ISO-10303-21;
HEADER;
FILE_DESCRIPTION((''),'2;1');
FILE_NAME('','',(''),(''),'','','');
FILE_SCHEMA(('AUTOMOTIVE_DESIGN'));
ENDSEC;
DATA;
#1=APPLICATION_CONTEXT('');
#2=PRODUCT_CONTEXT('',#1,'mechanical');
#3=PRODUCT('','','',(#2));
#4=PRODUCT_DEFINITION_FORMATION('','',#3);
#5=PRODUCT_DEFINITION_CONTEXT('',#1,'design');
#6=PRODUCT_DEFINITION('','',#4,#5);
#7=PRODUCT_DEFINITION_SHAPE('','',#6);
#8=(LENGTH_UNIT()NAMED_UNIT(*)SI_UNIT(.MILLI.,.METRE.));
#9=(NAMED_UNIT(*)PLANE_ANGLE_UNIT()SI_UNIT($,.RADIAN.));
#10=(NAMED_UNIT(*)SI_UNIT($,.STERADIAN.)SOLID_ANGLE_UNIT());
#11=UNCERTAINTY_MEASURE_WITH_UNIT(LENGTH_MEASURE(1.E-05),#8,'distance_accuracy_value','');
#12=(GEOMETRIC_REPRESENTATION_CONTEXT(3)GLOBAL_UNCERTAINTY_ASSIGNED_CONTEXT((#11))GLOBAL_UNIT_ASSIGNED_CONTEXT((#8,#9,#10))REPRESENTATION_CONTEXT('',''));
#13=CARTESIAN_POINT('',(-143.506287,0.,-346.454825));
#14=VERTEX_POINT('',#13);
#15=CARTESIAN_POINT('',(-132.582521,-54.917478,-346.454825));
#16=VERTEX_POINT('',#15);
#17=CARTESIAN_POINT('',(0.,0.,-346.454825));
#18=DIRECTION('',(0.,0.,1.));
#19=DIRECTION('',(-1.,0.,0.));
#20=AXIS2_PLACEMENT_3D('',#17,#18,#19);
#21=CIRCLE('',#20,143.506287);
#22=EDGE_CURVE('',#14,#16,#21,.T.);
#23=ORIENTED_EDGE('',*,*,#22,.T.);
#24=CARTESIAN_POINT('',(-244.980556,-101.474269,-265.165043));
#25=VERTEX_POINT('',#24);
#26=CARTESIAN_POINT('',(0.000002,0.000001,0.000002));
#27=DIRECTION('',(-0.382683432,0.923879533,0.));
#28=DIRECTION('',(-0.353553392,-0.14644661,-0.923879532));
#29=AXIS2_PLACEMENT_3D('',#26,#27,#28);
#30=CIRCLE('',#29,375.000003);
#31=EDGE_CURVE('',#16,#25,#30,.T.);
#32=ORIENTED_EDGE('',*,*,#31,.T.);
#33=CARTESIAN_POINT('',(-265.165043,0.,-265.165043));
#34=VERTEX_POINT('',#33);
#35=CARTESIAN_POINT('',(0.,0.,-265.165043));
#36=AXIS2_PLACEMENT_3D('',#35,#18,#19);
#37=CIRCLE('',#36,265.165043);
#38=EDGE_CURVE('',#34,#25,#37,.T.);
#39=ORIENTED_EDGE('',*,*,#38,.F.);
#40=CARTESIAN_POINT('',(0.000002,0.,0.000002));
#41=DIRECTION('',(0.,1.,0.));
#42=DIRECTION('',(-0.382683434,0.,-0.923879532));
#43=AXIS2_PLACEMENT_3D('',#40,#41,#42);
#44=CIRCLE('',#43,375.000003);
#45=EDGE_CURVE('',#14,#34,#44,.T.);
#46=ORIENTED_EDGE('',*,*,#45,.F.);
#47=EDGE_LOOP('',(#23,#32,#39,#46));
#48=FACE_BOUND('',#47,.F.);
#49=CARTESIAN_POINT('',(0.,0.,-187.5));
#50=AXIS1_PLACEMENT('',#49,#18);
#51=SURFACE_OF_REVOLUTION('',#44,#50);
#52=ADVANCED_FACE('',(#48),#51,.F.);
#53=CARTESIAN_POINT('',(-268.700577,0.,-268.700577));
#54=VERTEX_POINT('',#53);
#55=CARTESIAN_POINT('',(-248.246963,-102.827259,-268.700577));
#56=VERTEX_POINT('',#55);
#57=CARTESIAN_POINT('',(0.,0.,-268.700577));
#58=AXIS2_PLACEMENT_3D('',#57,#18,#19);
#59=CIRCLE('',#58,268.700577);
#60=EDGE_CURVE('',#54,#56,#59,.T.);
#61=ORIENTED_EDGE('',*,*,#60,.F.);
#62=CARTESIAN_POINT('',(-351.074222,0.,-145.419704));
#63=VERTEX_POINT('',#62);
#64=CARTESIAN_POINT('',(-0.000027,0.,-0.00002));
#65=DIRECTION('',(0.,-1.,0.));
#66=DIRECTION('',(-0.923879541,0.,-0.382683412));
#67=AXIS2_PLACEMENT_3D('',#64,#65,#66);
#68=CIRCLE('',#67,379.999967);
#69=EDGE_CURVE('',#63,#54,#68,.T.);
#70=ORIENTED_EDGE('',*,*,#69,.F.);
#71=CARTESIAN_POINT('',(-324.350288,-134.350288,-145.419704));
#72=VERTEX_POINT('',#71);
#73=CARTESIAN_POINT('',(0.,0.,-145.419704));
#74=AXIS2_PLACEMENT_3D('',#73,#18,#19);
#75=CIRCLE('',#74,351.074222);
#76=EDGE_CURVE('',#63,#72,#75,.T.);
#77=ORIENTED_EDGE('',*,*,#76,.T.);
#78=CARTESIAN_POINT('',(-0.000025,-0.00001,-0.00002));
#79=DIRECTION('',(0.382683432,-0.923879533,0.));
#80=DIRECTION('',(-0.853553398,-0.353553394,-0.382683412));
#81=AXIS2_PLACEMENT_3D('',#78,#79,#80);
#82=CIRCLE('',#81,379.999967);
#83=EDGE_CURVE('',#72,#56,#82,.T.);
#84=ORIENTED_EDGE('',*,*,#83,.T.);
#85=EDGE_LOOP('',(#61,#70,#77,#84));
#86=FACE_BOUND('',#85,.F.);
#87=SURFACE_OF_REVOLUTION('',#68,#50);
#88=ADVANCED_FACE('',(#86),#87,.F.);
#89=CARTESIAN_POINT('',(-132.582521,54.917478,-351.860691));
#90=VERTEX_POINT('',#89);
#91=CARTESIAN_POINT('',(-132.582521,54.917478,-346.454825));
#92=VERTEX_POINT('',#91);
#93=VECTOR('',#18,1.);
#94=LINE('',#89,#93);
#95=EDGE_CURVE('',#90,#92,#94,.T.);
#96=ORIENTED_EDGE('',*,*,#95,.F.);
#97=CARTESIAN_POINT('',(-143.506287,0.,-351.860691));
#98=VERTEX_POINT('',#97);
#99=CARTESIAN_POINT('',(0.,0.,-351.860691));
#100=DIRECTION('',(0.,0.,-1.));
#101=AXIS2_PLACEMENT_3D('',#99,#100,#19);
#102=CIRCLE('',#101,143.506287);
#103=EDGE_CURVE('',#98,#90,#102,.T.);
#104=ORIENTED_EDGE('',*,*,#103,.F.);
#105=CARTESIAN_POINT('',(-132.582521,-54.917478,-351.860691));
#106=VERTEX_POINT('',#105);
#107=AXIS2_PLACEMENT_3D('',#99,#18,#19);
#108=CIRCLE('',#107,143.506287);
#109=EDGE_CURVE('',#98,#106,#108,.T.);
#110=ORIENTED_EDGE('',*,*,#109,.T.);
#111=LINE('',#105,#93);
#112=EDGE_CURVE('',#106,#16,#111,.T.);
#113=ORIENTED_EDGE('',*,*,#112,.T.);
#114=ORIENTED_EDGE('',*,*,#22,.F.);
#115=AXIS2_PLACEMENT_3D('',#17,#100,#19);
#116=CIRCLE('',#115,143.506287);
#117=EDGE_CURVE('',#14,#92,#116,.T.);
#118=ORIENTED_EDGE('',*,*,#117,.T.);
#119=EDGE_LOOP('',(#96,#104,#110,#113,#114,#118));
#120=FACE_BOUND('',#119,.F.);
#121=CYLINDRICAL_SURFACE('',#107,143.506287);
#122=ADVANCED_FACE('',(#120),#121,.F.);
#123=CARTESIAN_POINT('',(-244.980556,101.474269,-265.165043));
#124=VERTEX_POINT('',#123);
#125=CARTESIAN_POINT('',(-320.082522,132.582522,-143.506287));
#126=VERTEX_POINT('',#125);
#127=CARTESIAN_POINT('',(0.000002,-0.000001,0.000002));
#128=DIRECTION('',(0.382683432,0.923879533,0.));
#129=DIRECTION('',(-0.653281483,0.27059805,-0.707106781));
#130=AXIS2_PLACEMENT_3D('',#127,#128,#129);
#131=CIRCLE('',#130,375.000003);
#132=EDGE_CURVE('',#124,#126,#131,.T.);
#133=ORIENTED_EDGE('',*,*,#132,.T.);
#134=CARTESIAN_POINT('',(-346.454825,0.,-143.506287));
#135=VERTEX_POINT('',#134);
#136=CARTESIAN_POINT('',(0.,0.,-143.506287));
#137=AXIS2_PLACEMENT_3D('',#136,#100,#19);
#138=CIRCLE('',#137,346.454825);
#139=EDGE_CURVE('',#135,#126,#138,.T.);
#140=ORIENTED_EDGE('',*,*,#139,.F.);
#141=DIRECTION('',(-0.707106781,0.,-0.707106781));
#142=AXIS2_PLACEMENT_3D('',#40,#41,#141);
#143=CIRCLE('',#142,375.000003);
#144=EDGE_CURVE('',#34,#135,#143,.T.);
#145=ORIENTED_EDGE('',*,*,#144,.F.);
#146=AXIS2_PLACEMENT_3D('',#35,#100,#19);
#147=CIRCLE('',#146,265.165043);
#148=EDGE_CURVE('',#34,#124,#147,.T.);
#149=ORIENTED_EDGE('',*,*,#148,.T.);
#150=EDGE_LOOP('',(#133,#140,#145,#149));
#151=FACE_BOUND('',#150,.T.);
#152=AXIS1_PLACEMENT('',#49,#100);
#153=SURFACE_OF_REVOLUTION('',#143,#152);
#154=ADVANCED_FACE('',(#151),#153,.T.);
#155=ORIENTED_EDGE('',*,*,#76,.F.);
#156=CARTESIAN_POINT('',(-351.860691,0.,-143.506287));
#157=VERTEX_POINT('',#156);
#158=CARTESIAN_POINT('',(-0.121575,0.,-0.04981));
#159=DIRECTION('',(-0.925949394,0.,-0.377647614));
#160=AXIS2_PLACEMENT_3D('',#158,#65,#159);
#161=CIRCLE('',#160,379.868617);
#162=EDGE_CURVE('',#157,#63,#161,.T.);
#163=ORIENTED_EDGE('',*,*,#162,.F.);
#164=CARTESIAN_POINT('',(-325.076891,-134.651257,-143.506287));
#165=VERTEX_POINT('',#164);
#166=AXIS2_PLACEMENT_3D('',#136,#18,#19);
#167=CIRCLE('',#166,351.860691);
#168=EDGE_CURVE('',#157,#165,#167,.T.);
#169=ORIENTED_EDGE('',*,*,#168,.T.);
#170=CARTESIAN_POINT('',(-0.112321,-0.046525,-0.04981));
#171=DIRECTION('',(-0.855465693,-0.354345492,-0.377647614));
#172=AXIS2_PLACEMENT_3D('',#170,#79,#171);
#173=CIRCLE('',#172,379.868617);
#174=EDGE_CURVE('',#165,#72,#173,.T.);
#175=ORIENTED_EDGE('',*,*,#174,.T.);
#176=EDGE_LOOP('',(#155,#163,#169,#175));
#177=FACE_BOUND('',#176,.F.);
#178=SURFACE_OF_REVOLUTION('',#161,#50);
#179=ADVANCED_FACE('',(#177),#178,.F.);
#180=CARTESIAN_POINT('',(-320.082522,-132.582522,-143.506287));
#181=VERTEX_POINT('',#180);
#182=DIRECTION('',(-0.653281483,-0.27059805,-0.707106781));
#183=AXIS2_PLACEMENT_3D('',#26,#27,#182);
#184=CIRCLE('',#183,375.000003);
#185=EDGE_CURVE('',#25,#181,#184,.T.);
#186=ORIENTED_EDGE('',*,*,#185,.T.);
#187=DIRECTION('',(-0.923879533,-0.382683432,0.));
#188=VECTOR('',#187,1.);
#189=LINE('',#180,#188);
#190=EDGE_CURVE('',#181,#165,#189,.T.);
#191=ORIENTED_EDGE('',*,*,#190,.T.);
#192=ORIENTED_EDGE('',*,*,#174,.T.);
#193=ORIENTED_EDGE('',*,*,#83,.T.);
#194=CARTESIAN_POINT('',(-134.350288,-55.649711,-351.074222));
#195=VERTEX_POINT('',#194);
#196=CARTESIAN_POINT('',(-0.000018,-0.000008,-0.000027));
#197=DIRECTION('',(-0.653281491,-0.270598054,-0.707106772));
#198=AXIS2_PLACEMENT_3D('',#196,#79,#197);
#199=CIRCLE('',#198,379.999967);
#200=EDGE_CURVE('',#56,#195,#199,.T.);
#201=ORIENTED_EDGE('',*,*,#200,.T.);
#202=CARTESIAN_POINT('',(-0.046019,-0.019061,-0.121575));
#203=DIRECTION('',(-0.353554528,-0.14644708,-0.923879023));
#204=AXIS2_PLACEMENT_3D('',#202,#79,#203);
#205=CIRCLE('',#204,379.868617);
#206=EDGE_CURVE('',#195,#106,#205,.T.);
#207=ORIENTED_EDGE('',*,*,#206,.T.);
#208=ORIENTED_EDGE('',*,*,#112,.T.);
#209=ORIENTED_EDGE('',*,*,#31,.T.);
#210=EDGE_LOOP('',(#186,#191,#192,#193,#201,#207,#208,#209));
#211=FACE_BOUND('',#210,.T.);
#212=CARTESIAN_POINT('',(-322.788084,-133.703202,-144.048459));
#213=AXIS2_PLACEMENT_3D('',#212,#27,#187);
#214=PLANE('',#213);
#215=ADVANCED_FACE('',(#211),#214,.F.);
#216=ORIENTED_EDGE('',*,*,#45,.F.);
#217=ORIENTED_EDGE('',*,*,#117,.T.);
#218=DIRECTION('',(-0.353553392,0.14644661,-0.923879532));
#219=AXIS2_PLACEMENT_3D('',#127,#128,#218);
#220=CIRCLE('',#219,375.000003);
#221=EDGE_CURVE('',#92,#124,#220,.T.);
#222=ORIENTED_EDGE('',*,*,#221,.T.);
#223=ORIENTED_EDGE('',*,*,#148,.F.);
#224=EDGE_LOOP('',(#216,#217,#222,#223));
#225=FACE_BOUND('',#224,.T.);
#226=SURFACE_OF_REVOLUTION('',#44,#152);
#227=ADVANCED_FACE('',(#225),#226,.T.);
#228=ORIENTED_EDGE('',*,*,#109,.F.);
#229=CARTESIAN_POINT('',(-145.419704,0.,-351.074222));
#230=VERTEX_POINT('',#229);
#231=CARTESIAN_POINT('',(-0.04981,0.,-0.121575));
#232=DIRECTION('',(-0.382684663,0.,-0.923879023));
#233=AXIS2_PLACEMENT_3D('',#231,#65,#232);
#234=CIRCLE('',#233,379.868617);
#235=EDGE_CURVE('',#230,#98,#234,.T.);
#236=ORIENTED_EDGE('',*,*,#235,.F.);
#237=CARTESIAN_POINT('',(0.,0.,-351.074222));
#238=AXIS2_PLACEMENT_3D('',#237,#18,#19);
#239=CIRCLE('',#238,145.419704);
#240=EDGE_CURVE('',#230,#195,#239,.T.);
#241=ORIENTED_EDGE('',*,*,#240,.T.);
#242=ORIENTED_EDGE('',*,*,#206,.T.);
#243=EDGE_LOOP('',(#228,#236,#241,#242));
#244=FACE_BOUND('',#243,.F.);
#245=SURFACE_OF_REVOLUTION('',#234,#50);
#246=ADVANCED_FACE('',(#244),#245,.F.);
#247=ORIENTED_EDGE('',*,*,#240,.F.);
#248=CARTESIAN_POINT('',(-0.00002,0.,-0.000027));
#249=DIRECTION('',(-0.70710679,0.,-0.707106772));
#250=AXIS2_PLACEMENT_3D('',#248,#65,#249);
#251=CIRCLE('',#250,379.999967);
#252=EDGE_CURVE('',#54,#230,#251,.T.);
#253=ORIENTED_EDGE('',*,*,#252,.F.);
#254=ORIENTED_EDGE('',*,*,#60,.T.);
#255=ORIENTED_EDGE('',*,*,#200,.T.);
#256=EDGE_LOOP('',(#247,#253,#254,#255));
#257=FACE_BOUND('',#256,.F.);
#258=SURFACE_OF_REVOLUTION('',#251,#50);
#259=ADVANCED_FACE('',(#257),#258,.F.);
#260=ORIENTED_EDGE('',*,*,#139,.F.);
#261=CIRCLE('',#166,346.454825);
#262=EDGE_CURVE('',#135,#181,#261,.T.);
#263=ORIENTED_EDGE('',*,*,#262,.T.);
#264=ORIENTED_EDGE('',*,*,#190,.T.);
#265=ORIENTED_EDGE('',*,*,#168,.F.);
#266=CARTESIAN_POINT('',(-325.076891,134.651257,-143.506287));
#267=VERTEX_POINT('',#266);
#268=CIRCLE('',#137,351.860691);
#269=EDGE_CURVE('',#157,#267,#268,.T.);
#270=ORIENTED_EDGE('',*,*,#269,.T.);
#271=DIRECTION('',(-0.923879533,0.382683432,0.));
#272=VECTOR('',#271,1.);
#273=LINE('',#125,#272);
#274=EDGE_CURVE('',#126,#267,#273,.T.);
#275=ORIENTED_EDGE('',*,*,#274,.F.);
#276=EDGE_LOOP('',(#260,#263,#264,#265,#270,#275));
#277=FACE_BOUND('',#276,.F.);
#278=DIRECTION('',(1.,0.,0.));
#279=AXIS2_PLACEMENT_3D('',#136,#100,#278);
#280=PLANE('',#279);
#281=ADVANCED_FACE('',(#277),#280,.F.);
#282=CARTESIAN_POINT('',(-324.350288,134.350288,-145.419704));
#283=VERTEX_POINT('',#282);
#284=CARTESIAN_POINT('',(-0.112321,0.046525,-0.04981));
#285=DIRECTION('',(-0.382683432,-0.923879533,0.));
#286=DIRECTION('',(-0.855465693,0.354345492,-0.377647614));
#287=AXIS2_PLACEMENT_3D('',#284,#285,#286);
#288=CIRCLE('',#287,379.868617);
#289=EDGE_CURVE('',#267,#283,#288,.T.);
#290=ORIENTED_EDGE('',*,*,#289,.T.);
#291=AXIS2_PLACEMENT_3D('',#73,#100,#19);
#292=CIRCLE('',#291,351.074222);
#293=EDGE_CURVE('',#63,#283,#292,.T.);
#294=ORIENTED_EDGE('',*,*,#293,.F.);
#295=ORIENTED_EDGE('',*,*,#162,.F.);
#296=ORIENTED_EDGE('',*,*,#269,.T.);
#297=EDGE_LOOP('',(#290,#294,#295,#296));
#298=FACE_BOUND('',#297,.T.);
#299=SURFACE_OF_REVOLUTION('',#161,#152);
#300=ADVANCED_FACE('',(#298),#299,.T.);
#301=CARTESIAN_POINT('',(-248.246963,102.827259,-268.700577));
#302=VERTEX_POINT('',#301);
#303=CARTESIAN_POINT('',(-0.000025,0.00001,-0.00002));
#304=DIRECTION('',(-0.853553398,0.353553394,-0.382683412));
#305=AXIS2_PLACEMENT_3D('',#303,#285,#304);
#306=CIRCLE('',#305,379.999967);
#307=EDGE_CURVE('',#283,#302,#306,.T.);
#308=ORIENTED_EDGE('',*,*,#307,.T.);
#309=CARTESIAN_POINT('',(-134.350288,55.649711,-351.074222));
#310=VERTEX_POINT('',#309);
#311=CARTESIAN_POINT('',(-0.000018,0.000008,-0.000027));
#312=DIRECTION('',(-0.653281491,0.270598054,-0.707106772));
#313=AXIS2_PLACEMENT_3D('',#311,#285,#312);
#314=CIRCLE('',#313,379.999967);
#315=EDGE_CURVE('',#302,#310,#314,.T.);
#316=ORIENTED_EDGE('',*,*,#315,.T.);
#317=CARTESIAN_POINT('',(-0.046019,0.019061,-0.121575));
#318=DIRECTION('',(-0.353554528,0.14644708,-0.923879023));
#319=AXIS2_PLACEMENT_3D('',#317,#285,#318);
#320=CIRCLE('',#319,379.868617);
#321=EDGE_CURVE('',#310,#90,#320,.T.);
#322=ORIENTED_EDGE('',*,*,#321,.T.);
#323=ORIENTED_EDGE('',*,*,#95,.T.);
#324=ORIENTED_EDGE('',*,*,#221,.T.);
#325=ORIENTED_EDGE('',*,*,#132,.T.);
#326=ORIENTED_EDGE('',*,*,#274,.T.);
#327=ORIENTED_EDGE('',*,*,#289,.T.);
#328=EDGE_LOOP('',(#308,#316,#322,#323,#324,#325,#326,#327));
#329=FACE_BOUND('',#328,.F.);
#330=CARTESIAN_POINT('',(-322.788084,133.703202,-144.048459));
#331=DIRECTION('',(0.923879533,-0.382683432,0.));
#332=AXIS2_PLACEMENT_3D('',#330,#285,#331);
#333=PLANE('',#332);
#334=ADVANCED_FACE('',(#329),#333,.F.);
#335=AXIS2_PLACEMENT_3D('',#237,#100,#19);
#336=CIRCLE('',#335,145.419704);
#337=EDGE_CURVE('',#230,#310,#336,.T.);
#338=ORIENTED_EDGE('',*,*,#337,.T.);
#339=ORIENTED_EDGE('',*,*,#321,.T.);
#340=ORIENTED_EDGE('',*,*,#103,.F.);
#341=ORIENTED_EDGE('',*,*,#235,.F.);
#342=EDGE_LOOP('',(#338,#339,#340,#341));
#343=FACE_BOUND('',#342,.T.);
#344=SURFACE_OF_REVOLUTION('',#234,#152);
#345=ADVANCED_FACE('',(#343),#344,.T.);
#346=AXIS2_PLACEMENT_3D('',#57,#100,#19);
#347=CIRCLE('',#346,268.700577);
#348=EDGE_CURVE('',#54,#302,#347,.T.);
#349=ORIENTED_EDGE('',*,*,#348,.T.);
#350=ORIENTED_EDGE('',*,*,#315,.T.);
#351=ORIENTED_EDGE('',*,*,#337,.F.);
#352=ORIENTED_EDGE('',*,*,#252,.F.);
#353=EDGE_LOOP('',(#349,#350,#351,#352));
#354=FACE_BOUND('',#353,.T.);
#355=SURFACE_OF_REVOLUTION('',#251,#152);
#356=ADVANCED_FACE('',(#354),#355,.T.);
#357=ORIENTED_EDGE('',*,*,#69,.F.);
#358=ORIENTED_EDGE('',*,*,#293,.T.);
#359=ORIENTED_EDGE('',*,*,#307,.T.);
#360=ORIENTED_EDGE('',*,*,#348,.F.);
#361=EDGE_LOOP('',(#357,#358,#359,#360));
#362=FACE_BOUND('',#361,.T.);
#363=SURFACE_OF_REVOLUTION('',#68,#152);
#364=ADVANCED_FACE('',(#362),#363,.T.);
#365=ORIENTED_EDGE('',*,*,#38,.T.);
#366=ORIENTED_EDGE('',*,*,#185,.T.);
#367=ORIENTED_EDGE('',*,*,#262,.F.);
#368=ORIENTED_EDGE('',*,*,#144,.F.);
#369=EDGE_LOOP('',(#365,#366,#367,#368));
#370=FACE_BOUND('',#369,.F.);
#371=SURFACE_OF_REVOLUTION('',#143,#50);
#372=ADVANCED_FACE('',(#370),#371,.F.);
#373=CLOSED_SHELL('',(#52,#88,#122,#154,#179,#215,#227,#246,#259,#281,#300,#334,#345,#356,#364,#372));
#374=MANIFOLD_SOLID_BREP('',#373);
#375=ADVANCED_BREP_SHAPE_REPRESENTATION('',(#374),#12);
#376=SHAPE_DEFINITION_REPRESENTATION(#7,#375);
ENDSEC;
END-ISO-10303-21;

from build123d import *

# Parameters (mm, degrees)
F1_ANGLE = 22.5


with BuildPart() as f1:
    # F0 (on Front) → F1 (revolve)
    with BuildSketch(Plane.XZ):
        with BuildLine():
            Line((-351.074222, -145.419704), (-346.454825, -143.506287))
            Line((-346.454825, -143.506287), (-351.860691, -143.506287))
            ThreePointArc((-351.860691, -143.506287), (-351.468759, -144.463531), (-351.074222, -145.419704))
        make_face()
        with BuildLine():
            ThreePointArc((-265.165043, -265.165043), (-311.801105, -208.338837), (-346.454825, -143.506287))
            Line((-346.454825, -143.506287), (-351.074222, -145.419704))
            ThreePointArc((-351.074222, -145.419704), (-315.958453, -211.116689), (-268.700577, -268.700577))
            Line((-268.700577, -268.700577), (-265.165043, -265.165043))
        make_face()
        with BuildLine():
            ThreePointArc((-143.506287, -346.454825), (-208.338837, -311.801105), (-265.165043, -265.165043))
            Line((-265.165043, -265.165043), (-268.700577, -268.700577))
            ThreePointArc((-268.700577, -268.700577), (-211.116689, -315.958453), (-145.419704, -351.074222))
            Line((-145.419704, -351.074222), (-143.506287, -346.454825))
        make_face()
        with BuildLine():
            Line((-143.506287, -351.860691), (-143.506287, -346.454825))
            Line((-143.506287, -346.454825), (-145.419704, -351.074222))
            ThreePointArc((-145.419704, -351.074222), (-144.463531, -351.468759), (-143.506287, -351.860691))
        make_face()
    revolve(axis=Axis((0, 0, -187.5), (0, 0, -1)), revolution_arc=F1_ANGLE)

    # F2: F1 across face


with BuildPart() as f1_1:
    add(f1.part)
    add(f1.part.mirror(Plane(origin=(-260.03738, 0, -260.037381), x_dir=(1, 0, 0), z_dir=(0, -1, 0))))


solid = f1_1.part
